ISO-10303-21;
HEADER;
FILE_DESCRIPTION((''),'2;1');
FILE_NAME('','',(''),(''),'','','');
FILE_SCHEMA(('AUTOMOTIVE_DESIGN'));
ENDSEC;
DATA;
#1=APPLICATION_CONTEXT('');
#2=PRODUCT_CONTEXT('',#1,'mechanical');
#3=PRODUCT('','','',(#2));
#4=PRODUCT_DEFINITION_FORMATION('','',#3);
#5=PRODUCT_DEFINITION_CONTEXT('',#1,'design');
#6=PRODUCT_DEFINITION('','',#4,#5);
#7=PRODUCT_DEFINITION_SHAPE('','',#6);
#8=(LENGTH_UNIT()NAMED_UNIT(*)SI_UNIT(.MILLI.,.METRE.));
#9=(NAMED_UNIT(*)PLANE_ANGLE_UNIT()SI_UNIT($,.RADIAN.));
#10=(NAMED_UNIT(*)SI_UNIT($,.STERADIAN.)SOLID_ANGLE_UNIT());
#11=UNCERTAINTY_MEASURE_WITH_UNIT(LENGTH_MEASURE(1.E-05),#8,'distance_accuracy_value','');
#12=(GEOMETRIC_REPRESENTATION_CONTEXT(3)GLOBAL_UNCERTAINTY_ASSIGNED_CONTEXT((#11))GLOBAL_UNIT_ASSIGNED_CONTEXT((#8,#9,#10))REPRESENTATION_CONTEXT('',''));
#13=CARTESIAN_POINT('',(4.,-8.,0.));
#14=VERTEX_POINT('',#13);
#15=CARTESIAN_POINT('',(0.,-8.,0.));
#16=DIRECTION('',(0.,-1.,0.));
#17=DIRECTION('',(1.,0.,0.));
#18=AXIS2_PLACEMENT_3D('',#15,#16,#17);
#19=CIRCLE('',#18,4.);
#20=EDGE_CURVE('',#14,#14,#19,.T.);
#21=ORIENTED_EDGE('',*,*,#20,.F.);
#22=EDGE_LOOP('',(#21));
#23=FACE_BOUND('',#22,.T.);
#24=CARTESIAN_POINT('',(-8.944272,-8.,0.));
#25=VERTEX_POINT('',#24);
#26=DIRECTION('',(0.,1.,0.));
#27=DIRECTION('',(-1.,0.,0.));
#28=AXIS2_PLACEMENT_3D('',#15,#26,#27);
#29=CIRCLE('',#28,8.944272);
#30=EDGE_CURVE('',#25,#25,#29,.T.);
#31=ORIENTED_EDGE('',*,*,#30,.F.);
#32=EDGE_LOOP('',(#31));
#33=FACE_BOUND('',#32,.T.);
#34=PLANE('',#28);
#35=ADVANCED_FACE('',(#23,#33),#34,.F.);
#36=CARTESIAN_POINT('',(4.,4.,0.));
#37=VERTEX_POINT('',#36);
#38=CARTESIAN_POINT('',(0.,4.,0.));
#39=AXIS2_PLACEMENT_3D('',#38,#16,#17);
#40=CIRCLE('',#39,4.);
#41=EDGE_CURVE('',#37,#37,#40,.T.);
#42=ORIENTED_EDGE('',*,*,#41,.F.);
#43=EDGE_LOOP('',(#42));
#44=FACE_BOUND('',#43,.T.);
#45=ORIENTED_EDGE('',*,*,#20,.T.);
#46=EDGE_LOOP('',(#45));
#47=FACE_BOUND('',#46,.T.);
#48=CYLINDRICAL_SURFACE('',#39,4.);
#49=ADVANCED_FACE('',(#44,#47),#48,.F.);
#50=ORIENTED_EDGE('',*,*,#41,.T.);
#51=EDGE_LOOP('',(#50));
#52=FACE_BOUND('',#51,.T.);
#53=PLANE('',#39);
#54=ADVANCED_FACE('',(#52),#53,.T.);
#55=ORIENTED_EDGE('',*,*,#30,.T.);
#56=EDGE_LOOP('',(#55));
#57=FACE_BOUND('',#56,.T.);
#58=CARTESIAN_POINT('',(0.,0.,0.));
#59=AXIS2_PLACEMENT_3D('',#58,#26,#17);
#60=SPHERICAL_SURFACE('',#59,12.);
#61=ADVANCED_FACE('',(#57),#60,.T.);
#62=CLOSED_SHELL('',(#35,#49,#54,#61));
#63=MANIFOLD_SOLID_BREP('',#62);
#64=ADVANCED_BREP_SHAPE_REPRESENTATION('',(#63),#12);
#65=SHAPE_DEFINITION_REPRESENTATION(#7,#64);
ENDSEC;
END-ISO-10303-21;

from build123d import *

# Parameters (mm, degrees)
SKETCH2_R          = 4
CUT_EXTRUDE1_DEPTH = 12


with BuildPart() as part:
    # Sketch1 → Revolve1 (revolve)
    with BuildSketch(Plane.XY):
        with BuildLine():
            Line((0, 12), (0, -8))
            Line((0, -8), (8.94427191, -8))
            ThreePointArc((8.94427191, -8), (10.95445115, 4.898979486), (0, 12))
        make_face()
    revolve(axis=Axis((0, 12, 0), (0, -1, 0)))

    # Sketch2 → Cut-Extrude1 (cut)
    with BuildSketch(Plane.XZ.offset(8)):
        Circle(SKETCH2_R)
    extrude(amount=-CUT_EXTRUDE1_DEPTH, mode=Mode.SUBTRACT)


solid = part.part
